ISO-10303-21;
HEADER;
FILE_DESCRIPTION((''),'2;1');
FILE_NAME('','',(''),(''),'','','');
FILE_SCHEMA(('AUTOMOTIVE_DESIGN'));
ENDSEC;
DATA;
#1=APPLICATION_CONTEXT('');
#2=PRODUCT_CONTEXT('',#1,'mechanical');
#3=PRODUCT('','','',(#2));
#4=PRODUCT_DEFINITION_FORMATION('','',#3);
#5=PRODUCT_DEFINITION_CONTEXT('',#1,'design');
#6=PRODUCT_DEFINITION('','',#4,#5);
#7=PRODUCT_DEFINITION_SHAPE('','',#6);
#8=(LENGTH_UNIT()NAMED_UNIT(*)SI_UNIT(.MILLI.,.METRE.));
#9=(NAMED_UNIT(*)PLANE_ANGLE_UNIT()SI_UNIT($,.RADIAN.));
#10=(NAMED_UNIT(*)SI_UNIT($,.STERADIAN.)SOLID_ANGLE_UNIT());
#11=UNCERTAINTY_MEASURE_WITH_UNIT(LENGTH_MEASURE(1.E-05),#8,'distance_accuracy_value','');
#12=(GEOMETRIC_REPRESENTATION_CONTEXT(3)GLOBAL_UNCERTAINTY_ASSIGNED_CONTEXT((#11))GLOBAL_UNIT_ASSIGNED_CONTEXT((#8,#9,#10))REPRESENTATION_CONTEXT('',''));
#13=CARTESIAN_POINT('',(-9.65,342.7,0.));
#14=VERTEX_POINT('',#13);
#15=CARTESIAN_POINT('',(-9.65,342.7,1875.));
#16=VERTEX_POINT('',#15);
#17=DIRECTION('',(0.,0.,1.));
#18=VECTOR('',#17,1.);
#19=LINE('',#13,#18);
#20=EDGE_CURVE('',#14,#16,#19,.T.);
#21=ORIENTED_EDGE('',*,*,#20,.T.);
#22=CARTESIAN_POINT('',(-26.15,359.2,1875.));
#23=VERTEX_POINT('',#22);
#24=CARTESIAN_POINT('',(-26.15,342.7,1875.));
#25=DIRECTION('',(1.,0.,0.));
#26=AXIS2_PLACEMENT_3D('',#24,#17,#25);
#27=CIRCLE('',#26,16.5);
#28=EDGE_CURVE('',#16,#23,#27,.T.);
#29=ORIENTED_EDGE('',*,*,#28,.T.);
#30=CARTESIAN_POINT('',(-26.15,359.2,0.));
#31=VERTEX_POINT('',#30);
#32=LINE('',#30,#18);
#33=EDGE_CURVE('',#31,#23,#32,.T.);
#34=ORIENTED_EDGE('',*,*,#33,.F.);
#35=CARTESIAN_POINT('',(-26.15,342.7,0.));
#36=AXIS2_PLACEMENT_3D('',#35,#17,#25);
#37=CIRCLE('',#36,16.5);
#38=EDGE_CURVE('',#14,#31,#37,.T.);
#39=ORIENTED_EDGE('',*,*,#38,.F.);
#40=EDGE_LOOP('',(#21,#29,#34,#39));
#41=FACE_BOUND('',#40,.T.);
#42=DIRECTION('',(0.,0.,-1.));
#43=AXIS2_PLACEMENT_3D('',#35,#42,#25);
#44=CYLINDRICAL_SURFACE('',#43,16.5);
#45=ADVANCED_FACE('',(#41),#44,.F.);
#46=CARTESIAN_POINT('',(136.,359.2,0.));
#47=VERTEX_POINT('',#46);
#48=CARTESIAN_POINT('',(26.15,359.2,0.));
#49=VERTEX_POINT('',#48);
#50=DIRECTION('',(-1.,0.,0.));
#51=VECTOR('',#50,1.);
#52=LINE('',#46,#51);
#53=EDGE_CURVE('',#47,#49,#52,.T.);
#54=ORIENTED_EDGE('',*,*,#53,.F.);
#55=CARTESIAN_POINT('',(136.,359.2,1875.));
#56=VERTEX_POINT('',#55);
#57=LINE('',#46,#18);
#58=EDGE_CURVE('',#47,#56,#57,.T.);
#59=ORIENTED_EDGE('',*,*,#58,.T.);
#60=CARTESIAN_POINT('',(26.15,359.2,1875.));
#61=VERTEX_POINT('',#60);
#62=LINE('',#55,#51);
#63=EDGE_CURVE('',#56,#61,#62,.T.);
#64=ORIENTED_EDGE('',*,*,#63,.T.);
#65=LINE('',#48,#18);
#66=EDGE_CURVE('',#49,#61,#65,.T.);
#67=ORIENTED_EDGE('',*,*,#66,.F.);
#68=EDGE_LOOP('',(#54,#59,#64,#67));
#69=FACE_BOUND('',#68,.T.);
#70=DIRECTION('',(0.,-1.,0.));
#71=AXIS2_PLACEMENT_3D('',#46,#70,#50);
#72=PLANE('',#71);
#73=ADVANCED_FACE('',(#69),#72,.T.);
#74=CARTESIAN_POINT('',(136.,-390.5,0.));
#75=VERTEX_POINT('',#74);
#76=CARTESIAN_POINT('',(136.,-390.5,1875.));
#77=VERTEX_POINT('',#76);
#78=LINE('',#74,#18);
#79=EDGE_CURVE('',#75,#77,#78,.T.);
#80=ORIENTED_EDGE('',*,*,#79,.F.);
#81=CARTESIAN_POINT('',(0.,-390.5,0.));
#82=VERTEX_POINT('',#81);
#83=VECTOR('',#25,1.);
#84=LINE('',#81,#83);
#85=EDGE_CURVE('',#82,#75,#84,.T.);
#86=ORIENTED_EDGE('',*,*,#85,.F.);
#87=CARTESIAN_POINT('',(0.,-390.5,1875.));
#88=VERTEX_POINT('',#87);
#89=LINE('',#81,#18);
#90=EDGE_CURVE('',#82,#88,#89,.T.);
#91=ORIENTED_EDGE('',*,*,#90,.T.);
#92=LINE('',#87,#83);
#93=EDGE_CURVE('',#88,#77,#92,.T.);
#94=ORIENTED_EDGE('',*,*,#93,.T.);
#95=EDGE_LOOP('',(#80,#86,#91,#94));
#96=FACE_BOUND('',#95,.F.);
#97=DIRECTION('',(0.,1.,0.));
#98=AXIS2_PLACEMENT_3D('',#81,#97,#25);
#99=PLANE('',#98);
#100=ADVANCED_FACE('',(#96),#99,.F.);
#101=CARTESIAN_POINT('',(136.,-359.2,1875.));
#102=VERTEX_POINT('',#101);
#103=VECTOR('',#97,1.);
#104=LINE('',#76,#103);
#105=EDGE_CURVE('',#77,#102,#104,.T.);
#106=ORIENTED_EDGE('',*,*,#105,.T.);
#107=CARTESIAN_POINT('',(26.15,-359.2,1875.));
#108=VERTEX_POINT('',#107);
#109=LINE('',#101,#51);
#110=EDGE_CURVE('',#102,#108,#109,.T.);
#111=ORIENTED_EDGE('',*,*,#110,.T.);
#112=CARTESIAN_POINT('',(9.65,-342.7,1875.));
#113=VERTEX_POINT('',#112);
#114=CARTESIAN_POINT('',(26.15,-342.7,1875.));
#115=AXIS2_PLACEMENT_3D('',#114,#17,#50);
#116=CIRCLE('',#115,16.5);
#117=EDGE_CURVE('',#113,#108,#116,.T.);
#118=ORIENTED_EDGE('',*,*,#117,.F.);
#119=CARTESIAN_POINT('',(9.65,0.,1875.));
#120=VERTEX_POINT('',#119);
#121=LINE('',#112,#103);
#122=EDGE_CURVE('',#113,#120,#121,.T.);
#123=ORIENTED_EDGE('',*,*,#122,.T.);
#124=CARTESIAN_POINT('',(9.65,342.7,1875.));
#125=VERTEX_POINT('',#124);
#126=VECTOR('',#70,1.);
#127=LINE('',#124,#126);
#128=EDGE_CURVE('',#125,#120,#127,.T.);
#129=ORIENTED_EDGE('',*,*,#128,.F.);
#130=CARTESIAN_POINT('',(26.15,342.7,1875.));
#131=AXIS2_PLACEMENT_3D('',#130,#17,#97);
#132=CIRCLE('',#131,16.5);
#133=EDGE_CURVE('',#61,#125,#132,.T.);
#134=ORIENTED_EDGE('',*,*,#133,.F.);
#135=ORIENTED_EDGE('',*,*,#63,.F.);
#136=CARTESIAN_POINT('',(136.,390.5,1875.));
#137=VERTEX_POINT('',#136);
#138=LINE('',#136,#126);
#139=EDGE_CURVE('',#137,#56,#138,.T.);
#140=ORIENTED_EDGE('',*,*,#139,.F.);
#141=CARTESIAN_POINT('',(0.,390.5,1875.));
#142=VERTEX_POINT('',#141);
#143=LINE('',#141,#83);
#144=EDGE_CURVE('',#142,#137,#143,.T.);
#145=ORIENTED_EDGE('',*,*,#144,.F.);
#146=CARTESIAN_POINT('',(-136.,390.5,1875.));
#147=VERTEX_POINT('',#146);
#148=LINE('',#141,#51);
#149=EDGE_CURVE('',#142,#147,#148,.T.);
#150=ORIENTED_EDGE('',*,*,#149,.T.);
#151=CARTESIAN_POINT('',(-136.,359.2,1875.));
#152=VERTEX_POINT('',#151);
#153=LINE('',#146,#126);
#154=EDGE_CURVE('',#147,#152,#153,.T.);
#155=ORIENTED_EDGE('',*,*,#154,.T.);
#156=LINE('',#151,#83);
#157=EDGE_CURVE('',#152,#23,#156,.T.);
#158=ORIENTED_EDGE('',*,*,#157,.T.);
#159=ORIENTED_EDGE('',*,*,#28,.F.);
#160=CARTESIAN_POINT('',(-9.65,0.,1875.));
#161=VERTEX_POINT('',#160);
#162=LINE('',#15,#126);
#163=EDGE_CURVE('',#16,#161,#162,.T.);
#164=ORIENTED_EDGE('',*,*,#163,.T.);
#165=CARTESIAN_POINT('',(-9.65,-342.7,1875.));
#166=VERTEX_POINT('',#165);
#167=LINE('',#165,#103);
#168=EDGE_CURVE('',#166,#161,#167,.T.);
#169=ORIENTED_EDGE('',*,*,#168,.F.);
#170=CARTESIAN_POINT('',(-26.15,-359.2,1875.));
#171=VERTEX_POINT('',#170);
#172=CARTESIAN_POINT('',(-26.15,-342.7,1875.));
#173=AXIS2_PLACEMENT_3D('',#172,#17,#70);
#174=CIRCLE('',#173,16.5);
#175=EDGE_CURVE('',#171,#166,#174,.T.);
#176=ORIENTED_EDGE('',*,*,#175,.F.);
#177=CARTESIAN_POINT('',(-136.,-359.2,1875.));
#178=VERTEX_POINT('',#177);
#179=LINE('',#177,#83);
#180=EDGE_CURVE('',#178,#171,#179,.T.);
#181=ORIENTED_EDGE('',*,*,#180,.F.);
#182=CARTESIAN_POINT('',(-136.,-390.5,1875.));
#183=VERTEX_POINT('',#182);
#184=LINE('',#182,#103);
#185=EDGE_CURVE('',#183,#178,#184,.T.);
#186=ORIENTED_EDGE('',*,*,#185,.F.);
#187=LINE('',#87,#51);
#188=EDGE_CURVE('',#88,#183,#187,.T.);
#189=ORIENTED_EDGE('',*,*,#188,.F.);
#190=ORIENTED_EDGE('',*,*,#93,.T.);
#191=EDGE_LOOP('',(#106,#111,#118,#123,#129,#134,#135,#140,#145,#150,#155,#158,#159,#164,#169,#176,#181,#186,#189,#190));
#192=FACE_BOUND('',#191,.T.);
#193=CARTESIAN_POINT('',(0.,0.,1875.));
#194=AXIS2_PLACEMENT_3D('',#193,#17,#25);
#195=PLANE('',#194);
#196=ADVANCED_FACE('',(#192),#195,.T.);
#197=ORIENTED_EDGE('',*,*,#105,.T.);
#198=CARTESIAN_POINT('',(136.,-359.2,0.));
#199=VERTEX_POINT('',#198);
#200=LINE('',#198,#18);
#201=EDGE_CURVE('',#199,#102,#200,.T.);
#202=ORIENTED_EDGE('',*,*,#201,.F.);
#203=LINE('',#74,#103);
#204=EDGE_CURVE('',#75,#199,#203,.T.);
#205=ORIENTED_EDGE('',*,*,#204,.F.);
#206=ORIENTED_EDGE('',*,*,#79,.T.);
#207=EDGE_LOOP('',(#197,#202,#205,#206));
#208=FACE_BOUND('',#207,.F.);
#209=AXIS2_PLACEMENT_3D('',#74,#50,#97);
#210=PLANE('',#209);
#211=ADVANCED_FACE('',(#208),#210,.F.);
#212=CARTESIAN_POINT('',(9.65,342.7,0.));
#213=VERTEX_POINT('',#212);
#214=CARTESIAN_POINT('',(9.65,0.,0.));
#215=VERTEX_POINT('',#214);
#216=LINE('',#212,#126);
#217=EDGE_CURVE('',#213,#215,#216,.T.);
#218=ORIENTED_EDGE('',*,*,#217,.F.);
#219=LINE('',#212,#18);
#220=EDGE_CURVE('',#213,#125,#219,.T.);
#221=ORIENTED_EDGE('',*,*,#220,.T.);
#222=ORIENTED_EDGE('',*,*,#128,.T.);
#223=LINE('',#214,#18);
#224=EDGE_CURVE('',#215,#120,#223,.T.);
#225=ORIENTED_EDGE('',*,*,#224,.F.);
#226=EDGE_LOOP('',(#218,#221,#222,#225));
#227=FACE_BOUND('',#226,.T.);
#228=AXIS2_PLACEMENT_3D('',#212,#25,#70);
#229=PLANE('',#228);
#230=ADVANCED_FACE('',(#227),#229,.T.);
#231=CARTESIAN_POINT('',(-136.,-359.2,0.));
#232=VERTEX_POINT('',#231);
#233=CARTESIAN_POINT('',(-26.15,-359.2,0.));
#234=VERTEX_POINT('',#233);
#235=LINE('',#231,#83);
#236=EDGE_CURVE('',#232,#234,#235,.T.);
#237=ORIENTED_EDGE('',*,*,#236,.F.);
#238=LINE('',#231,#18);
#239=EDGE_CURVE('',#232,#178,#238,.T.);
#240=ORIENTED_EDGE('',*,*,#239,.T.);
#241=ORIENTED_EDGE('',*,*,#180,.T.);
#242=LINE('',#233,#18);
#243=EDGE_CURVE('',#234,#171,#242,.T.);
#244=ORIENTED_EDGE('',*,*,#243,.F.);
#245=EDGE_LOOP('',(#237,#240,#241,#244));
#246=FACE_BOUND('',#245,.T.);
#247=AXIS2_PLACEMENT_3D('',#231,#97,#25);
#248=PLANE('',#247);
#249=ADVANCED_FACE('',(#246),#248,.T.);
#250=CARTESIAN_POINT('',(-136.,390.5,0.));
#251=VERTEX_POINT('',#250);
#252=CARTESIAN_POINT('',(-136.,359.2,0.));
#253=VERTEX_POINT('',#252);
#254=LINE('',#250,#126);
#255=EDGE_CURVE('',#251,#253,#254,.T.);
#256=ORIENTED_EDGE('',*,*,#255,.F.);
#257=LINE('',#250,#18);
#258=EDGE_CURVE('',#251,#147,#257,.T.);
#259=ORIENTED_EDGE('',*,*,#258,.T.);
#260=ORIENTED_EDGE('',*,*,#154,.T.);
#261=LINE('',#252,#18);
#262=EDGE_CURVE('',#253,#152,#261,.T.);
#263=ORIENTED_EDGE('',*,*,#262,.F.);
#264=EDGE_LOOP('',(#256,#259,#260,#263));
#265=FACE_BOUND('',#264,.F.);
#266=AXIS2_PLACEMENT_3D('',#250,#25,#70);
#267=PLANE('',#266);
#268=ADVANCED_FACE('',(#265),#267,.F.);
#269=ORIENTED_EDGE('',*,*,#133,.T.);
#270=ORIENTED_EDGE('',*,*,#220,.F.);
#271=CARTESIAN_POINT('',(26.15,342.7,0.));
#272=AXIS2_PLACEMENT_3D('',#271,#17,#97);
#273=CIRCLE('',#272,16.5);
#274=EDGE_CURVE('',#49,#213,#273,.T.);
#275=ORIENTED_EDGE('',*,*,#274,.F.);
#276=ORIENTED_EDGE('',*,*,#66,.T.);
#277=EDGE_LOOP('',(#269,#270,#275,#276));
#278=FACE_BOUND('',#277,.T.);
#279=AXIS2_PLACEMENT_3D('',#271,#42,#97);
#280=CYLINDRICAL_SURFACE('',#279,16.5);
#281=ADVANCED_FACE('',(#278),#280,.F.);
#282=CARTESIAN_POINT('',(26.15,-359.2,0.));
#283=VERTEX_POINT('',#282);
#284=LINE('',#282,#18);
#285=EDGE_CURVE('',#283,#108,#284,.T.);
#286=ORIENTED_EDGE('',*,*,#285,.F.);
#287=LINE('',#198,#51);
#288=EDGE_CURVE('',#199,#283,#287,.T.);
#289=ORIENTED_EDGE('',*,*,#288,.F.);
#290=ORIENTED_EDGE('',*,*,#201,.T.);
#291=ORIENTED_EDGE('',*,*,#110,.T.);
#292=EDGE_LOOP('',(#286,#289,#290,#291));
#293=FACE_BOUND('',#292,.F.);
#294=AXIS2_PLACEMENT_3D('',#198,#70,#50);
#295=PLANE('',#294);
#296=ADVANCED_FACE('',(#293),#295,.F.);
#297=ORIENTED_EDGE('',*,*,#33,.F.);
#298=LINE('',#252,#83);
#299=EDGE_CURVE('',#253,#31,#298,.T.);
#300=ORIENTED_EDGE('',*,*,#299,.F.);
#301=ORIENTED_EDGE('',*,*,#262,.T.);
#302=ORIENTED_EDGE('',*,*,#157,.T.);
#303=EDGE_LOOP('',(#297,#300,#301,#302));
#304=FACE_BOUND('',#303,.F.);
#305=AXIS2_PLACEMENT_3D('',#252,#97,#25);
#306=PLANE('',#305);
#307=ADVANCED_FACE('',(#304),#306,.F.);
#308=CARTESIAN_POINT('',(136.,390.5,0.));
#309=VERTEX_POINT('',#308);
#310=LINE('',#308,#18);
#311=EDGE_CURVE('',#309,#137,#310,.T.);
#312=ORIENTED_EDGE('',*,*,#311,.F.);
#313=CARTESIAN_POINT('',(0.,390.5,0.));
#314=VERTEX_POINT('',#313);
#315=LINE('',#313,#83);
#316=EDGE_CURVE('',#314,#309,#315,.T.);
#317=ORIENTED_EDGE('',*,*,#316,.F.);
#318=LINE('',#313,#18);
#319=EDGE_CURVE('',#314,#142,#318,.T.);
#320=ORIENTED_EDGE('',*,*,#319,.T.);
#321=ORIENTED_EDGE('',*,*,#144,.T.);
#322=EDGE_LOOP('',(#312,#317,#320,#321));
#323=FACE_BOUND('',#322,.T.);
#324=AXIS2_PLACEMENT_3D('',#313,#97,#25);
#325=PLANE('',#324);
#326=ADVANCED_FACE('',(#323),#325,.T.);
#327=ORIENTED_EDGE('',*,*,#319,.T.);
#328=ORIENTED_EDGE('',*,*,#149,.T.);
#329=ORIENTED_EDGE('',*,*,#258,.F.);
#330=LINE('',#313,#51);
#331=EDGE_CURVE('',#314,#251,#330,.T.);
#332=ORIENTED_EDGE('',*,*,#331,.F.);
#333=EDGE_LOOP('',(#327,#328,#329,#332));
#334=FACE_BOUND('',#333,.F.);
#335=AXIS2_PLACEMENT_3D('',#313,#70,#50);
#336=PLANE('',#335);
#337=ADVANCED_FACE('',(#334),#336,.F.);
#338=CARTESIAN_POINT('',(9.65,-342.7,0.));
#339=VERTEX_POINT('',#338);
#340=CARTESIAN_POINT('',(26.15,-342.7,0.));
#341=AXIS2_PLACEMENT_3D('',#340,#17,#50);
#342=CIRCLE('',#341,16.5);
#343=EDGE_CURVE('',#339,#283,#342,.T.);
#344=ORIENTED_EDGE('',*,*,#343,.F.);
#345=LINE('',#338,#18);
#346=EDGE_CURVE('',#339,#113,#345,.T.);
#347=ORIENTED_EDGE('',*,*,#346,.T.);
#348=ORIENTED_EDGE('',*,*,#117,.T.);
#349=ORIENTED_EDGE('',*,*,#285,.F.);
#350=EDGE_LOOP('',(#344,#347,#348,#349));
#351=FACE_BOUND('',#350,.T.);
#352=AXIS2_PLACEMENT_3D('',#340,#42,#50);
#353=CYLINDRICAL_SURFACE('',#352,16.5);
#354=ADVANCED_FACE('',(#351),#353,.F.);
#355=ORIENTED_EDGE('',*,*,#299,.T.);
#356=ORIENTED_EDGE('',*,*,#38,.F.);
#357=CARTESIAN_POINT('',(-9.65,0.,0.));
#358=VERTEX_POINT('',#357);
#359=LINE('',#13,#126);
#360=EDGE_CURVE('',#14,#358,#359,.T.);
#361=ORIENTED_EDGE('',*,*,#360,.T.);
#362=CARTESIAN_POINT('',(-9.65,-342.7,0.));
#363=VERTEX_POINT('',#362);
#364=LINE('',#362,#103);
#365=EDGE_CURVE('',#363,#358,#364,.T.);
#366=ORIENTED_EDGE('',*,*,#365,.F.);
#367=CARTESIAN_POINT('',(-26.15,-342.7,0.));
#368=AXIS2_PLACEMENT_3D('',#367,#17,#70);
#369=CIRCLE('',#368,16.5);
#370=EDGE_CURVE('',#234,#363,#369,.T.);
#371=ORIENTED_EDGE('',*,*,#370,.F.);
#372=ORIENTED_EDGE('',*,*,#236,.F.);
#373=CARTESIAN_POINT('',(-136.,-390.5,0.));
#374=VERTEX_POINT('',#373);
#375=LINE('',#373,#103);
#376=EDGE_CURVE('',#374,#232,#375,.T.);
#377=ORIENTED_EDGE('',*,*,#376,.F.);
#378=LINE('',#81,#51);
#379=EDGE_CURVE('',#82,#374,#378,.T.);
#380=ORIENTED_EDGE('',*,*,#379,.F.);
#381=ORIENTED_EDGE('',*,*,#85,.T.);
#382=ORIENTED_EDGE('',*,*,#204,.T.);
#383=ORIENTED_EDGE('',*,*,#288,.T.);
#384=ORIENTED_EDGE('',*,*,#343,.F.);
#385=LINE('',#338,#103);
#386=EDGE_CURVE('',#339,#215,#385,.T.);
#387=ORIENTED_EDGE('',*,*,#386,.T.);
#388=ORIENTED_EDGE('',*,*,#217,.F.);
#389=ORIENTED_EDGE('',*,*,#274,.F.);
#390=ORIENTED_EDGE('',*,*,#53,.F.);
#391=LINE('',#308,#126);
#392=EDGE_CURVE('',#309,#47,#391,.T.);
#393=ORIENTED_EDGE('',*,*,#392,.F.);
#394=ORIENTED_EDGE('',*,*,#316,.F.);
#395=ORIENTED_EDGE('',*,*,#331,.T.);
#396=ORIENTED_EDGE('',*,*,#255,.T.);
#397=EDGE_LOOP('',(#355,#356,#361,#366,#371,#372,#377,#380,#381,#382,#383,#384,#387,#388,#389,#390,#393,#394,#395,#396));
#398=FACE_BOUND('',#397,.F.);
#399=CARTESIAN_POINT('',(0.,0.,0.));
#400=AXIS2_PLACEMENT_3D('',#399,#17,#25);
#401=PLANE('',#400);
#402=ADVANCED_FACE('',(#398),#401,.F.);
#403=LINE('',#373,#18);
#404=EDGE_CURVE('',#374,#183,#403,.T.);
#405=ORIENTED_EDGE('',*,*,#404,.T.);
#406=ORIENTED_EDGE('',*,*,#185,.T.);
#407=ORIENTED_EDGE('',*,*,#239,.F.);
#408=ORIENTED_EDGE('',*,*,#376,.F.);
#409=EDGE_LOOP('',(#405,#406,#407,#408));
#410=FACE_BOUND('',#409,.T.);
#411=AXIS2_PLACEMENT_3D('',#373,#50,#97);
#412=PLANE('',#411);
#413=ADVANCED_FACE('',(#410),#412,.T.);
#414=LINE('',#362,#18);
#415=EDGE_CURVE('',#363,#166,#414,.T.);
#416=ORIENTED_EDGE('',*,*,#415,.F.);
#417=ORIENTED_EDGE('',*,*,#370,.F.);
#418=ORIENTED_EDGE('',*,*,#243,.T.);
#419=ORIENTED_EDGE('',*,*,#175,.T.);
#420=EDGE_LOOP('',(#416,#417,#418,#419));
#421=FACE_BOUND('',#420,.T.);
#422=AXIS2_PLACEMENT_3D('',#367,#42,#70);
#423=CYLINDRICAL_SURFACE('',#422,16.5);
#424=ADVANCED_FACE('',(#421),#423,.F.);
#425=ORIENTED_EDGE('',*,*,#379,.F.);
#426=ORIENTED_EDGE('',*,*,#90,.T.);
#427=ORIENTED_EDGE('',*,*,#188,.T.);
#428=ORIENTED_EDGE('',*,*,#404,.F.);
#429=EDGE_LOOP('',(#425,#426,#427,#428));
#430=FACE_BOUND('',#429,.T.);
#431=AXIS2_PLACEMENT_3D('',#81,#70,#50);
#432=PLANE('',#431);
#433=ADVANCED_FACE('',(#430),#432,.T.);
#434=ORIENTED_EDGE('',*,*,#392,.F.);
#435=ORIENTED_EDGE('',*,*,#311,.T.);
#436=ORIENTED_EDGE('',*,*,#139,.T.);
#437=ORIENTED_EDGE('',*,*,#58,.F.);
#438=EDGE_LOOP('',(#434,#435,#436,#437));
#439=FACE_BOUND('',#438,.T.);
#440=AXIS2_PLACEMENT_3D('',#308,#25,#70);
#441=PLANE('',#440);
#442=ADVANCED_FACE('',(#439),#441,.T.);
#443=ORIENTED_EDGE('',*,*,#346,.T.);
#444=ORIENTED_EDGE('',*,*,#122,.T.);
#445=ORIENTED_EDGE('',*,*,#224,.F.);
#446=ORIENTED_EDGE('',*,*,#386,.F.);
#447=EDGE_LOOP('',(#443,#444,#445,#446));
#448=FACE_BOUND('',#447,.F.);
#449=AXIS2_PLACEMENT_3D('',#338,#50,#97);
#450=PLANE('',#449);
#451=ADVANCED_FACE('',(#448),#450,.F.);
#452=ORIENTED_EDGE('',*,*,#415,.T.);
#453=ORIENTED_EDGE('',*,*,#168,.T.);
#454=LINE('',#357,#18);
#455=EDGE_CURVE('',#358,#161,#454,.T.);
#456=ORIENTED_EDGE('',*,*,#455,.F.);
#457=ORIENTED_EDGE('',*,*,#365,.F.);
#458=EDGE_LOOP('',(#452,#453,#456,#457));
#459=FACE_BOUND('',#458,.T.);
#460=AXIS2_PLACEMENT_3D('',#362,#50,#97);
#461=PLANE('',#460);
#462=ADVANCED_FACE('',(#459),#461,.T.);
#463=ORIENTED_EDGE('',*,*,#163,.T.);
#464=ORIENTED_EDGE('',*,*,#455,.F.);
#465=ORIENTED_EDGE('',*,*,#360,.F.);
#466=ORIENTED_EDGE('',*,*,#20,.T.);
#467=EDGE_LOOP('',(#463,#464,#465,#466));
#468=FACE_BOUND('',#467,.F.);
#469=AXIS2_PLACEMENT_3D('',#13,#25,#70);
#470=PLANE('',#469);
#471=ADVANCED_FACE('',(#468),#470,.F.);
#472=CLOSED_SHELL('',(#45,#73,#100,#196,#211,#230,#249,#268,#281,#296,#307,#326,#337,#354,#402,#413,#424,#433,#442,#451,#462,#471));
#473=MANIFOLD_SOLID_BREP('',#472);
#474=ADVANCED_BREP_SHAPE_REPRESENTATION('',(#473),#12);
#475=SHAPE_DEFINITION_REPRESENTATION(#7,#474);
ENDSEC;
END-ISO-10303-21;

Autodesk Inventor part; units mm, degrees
ref_plane "YZ Plane" through (0, 0, 0) normal (1, 0, 0) x (0, 1, 0)
ref_plane "Start plane" through (0, 0, 0) normal (0, 0, 1) x (1, 0, 0)
ref_plane "End plane" through (0, 0, 1875) normal (0, 0, 1) x (1, 0, 0)
sketch "Sketch" plane through (0, 0, 0) normal (0, 0, 1) x (1, 0, 0)
  line L0 (-136, -390.5) -> (-136, -359.2)
  line L1 (-136, -359.2) -> (-26.15, -359.2)
  line L2 (-9.65, -342.7) -> (-9.65, 0)
  line L3 (-9.65, 0) -> (0, 0) construction
  line L4 (0, 0) -> (0, -390.5) construction
  line L5 (0, -390.5) -> (-136, -390.5)
  line L6 (-60, 0) -> (80, 0) construction
  line L7 (0, -60) -> (0, 80) construction
  line L8 (136, -390.5) -> (136, -359.2)
  line L9 (136, -359.2) -> (26.15, -359.2)
  line L10 (9.65, -342.7) -> (9.65, 0)
  line L11 (9.65, 0) -> (0, 0) construction
  line L12 (0, -390.5) -> (136, -390.5)
  line L13 (-136, 390.5) -> (-136, 359.2)
  line L14 (-136, 359.2) -> (-26.15, 359.2)
  line L15 (-9.65, 342.7) -> (-9.65, 0)
  line L16 (0, 390.5) -> (-136, 390.5)
  line L17 (136, 390.5) -> (136, 359.2)
  line L18 (136, 359.2) -> (26.15, 359.2)
  line L19 (0, 390.5) -> (136, 390.5)
  line L20 (9.65, 342.7) -> (9.65, 0)
  arc A0 (-9.65, 342.7) -> (-26.15, 359.2) centre (-26.15, 342.7) ccw
  arc A1 (26.15, 359.2) -> (9.65, 342.7) centre (26.15, 342.7) ccw
  arc A2 (9.65, -342.7) -> (26.15, -359.2) centre (26.15, -342.7) ccw
  arc A3 (-26.15, -359.2) -> (-9.65, -342.7) centre (-26.15, -342.7) ccw
  line L21 (0, 108) -> (0, -88) construction
  line L22 (-88, 0) -> (108, 0) construction
  point P0 (-9.65, -359.2)
  point P1 (9.65, -359.2)
  point P2 (-9.65, 359.2)
  point P3 (9.65, 359.2)
  dimension "d1" = 390.5
  dimension "d2" = 31.3
  dimension "d3" = 136
  dimension "d4" = 9.65
  dimension "d10" = 16.5
extrude "Body" add sketch "Sketch" along normal up to surface (1875 mm away) from surface at 0
sketch "Sketch4" plane through (0, 0, 0) normal (0, 0, 1) x (1, 0, 0)
  line L0 (0, 0) -> (10, 0)
ref_plane "Work Plane3" through (0, 0, 0) normal (0, -1, 0) x (1, 0, 0)
sketch "Sketch5" plane through (0, 0, 0) normal (0, -1, 0) x (1, 0, 0)
  line L0 (-2, 0) -> (12, 0) projected
  line L1 (-2, 1875) -> (12, 1875) projected
  dimension "d14" = 1875
equation "\"d1\" = 0.5 * G_H"
equation "\"d2\" = G_T1"
equation "\"d3\" = 0.5 * G_W"
equation "\"d4\" = 0.5 * G_T"
equation "\"d10\" = G_IR"
equation "\"d5\" = G_L"
equation "\"G_W\" = 272"
equation "\"G_H\" = 781"
equation "\"G_T\" = 19.3"
equation "\"G_T1\" = 31.3"
equation "\"G_IR\" = 16.5"
equation "\"G_L\" = d14"
equation "\"G_OFFSET_START\" = 0"
equation "\"G_OFFSET_END\" = 0"
equation "\"d12\" = G_OFFSET_END + B_L"
equation "\"B_L\" = 1875"
properties part number "AS 3679-1990 - 760 UB - 244 - 1875" material "Steel, Mild"
